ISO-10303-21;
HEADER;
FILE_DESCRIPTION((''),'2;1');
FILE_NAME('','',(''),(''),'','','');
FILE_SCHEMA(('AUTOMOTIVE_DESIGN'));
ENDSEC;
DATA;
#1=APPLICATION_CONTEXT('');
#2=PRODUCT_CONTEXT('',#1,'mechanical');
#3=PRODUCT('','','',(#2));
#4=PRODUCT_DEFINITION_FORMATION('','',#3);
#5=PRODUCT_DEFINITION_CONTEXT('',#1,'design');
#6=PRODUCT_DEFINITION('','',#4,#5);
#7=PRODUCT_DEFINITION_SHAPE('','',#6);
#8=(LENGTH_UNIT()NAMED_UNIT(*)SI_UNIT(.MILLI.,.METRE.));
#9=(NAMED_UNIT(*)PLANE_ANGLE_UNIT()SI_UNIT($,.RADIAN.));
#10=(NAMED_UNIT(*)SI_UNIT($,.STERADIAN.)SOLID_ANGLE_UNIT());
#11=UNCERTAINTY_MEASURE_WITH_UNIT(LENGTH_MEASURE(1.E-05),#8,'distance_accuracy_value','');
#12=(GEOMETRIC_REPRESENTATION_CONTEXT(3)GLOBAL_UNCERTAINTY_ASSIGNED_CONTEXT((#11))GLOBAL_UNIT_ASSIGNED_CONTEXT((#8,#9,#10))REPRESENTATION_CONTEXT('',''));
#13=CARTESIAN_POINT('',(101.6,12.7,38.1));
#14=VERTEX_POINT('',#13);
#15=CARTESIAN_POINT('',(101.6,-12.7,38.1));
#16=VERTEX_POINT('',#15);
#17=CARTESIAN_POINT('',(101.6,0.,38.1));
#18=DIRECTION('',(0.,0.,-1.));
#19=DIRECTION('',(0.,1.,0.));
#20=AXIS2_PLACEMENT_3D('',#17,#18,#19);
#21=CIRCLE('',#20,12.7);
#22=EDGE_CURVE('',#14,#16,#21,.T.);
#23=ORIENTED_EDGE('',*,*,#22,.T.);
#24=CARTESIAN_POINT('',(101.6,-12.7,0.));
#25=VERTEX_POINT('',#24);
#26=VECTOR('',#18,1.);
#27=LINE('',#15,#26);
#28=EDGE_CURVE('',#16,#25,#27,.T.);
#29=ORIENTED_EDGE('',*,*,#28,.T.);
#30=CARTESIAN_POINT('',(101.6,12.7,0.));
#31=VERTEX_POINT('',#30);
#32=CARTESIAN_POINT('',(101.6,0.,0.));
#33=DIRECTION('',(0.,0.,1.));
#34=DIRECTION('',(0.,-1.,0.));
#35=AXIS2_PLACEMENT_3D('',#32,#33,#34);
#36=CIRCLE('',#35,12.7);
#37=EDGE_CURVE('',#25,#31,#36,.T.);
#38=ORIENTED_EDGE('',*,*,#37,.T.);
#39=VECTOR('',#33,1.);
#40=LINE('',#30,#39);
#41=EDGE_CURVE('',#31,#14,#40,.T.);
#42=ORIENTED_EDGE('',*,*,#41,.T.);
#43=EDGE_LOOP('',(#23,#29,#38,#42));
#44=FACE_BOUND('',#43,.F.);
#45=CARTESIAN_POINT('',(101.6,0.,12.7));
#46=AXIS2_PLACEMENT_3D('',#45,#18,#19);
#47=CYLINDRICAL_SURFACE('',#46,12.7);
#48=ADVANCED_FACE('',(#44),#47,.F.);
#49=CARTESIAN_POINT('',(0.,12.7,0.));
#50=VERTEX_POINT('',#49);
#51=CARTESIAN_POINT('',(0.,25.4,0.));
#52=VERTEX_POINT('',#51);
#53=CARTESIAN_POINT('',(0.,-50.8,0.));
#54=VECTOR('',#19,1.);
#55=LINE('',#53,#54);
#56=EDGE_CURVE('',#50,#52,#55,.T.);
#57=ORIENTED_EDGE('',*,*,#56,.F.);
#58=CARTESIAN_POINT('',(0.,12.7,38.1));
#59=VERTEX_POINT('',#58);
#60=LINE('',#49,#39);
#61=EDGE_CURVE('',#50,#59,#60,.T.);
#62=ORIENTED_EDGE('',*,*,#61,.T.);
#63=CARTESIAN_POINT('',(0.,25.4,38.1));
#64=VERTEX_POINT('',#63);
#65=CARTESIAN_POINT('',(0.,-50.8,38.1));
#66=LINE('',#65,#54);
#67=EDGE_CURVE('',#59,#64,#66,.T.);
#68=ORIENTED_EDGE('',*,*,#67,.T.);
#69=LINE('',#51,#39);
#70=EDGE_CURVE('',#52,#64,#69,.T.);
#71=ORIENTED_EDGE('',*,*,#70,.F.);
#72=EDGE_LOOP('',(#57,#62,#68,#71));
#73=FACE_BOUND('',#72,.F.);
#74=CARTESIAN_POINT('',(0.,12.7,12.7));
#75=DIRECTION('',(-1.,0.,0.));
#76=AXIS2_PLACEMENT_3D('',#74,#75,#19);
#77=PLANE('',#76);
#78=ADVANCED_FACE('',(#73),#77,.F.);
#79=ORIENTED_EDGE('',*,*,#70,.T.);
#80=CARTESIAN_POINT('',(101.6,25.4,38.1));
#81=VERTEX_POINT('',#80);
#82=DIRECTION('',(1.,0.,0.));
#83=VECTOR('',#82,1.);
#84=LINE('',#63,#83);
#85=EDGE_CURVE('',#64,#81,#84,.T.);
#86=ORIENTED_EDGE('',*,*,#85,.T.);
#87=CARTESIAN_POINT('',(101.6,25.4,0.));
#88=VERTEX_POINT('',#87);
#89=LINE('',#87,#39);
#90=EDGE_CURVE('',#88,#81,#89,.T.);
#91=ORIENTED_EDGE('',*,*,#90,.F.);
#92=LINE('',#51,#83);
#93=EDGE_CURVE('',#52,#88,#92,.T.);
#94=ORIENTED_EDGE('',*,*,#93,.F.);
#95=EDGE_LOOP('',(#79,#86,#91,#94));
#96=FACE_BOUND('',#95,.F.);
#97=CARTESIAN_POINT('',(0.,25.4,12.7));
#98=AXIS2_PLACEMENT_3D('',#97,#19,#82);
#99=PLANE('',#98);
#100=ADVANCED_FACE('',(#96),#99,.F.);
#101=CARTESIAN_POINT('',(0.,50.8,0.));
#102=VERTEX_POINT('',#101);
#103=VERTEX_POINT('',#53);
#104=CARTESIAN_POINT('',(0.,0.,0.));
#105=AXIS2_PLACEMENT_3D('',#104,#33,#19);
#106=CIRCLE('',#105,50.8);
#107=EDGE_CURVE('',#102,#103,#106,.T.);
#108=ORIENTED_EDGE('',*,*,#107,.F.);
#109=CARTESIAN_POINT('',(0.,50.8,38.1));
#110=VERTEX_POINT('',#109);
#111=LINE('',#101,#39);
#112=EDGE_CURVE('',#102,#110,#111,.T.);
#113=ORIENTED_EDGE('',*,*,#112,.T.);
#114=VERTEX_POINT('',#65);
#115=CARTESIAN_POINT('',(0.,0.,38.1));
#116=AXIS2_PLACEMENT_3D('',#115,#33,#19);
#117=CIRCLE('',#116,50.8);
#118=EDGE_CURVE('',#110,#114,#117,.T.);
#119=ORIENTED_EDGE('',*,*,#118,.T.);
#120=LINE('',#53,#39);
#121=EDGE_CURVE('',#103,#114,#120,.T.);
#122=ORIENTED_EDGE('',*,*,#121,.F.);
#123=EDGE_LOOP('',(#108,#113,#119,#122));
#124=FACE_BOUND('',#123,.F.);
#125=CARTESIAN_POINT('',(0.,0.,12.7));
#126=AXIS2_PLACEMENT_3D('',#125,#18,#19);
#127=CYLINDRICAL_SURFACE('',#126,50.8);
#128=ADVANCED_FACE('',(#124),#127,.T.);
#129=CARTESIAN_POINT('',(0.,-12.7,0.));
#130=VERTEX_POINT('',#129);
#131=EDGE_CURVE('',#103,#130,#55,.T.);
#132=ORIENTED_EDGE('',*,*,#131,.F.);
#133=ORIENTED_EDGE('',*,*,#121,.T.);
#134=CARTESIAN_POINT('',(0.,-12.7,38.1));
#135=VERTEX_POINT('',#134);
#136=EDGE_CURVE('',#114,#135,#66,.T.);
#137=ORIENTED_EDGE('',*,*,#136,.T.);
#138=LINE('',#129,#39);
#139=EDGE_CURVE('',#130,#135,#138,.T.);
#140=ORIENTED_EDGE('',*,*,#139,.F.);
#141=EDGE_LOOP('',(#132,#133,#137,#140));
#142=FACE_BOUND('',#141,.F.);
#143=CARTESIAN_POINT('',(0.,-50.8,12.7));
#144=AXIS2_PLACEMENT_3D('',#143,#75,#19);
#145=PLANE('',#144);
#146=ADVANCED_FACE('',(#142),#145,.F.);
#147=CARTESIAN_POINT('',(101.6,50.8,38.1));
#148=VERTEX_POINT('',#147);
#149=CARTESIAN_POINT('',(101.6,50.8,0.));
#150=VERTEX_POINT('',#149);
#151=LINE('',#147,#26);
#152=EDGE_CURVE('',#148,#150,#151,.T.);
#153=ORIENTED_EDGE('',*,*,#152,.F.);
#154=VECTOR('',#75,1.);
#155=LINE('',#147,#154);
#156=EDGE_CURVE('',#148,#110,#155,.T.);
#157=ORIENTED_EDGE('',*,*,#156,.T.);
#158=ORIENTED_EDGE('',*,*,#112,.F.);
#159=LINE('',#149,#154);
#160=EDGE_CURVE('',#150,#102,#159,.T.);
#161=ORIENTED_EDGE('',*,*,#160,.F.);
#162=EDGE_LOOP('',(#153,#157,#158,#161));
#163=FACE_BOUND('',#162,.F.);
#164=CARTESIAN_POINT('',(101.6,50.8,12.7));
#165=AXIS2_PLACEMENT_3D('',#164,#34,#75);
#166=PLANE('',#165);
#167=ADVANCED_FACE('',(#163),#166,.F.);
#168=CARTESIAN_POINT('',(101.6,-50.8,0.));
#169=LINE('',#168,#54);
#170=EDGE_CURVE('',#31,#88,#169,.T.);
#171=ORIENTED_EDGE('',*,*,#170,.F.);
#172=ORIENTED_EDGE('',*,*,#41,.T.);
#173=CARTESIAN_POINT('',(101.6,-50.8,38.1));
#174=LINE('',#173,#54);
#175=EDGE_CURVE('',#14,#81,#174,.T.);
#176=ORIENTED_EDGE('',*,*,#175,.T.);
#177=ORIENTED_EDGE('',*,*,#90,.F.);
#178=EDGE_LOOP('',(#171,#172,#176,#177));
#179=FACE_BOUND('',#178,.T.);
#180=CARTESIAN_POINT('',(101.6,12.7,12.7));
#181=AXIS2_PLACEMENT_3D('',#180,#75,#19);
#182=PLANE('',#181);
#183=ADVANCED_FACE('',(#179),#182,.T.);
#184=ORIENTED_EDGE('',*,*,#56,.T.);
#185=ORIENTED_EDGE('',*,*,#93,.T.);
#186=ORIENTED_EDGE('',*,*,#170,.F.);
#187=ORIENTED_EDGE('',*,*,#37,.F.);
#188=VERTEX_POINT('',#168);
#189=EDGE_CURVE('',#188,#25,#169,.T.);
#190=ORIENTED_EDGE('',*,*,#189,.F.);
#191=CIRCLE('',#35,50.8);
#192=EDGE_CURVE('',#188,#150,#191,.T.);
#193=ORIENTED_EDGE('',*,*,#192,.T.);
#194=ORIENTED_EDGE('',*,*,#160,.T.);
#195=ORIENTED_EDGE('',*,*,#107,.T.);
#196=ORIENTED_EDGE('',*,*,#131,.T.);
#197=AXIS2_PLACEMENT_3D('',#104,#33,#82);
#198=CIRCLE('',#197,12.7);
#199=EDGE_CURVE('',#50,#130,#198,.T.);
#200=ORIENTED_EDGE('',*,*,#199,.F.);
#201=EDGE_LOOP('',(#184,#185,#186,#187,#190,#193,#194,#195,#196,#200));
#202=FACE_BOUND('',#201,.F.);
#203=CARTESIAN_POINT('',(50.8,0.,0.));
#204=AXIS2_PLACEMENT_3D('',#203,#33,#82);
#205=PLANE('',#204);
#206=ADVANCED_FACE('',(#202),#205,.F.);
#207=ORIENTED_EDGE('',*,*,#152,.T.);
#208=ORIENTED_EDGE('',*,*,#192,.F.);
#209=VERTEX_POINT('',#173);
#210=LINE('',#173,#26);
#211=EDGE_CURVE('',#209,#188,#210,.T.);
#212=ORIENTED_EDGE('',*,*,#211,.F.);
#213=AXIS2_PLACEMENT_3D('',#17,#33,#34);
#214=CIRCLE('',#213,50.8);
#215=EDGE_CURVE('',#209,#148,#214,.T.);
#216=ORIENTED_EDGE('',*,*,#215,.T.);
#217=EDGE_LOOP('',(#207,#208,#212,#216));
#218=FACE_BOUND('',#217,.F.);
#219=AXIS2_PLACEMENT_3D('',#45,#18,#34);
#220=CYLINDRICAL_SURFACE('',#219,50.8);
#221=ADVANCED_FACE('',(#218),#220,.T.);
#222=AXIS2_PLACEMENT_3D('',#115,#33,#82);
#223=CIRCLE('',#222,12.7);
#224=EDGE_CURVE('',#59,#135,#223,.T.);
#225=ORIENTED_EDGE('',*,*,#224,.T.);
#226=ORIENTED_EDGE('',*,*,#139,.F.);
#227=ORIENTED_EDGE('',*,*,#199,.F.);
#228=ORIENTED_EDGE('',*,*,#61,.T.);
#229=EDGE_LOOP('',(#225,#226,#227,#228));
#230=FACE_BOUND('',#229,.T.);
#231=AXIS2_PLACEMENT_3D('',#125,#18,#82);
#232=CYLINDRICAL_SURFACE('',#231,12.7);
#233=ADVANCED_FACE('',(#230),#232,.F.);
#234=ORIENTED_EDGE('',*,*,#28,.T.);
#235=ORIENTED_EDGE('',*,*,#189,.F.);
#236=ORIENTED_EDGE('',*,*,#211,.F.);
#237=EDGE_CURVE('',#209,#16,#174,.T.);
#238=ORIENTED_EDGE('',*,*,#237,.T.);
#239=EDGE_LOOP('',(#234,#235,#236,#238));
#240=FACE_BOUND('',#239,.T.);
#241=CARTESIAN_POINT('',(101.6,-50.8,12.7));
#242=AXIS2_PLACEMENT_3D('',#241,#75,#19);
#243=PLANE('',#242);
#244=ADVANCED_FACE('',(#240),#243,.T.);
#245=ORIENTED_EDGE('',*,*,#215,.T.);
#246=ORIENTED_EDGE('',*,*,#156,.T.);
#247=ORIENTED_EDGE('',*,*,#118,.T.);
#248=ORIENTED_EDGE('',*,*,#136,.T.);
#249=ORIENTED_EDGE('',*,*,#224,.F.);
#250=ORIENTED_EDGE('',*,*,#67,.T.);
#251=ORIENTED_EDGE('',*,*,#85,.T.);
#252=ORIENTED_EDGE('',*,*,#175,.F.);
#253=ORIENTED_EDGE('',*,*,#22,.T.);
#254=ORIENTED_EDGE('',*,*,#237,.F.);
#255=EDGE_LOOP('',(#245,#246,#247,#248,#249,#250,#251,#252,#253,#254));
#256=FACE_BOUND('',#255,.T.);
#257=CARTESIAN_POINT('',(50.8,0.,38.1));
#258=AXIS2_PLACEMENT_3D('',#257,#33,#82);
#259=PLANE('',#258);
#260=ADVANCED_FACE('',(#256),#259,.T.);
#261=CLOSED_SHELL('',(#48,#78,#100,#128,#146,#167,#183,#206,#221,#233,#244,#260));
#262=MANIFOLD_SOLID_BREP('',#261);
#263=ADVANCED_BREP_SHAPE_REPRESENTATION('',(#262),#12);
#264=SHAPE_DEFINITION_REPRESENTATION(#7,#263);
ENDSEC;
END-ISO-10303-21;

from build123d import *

# Parameters (mm, degrees)
F0_R     = 12.7
F1_DEPTH = 12.7
F2_DEPTH = 76.2
F3_DEPTH = 25.4


with BuildPart() as f1:
    # F0 (on Top) → F1 (new body)
    with BuildSketch(Plane.XY):
        with BuildLine():
            ThreePointArc((0, 50.8), (-50.8, 0), (0, -50.8))
            Line((0, -50.8), (101.6, -50.8))
            ThreePointArc((101.6, -50.8), (152.4, 0), (101.6, 50.8))
            Line((101.6, 50.8), (0, 50.8))
        make_face()
        Circle(F0_R, mode=Mode.SUBTRACT)
        with Locations((101.6, 0)):
            Circle(F0_R, mode=Mode.SUBTRACT)
    extrude(amount=F1_DEPTH)

    # F2 (cut): a face of the model
    f2_faces = [f1.faces().sort_by_distance(p)[0] for p in [
        (50.8, -50.8, 6.35),
    ]]
    extrude(f2_faces, amount=-F2_DEPTH, mode=Mode.SUBTRACT)

    # F3 (add): a face of the model
    f3_faces = [f1.faces().sort_by_distance(p)[0] for p in [
        (150.1281549349, 0, 12.7),
    ]]
    extrude(f3_faces, amount=F3_DEPTH)


solid = f1.part
